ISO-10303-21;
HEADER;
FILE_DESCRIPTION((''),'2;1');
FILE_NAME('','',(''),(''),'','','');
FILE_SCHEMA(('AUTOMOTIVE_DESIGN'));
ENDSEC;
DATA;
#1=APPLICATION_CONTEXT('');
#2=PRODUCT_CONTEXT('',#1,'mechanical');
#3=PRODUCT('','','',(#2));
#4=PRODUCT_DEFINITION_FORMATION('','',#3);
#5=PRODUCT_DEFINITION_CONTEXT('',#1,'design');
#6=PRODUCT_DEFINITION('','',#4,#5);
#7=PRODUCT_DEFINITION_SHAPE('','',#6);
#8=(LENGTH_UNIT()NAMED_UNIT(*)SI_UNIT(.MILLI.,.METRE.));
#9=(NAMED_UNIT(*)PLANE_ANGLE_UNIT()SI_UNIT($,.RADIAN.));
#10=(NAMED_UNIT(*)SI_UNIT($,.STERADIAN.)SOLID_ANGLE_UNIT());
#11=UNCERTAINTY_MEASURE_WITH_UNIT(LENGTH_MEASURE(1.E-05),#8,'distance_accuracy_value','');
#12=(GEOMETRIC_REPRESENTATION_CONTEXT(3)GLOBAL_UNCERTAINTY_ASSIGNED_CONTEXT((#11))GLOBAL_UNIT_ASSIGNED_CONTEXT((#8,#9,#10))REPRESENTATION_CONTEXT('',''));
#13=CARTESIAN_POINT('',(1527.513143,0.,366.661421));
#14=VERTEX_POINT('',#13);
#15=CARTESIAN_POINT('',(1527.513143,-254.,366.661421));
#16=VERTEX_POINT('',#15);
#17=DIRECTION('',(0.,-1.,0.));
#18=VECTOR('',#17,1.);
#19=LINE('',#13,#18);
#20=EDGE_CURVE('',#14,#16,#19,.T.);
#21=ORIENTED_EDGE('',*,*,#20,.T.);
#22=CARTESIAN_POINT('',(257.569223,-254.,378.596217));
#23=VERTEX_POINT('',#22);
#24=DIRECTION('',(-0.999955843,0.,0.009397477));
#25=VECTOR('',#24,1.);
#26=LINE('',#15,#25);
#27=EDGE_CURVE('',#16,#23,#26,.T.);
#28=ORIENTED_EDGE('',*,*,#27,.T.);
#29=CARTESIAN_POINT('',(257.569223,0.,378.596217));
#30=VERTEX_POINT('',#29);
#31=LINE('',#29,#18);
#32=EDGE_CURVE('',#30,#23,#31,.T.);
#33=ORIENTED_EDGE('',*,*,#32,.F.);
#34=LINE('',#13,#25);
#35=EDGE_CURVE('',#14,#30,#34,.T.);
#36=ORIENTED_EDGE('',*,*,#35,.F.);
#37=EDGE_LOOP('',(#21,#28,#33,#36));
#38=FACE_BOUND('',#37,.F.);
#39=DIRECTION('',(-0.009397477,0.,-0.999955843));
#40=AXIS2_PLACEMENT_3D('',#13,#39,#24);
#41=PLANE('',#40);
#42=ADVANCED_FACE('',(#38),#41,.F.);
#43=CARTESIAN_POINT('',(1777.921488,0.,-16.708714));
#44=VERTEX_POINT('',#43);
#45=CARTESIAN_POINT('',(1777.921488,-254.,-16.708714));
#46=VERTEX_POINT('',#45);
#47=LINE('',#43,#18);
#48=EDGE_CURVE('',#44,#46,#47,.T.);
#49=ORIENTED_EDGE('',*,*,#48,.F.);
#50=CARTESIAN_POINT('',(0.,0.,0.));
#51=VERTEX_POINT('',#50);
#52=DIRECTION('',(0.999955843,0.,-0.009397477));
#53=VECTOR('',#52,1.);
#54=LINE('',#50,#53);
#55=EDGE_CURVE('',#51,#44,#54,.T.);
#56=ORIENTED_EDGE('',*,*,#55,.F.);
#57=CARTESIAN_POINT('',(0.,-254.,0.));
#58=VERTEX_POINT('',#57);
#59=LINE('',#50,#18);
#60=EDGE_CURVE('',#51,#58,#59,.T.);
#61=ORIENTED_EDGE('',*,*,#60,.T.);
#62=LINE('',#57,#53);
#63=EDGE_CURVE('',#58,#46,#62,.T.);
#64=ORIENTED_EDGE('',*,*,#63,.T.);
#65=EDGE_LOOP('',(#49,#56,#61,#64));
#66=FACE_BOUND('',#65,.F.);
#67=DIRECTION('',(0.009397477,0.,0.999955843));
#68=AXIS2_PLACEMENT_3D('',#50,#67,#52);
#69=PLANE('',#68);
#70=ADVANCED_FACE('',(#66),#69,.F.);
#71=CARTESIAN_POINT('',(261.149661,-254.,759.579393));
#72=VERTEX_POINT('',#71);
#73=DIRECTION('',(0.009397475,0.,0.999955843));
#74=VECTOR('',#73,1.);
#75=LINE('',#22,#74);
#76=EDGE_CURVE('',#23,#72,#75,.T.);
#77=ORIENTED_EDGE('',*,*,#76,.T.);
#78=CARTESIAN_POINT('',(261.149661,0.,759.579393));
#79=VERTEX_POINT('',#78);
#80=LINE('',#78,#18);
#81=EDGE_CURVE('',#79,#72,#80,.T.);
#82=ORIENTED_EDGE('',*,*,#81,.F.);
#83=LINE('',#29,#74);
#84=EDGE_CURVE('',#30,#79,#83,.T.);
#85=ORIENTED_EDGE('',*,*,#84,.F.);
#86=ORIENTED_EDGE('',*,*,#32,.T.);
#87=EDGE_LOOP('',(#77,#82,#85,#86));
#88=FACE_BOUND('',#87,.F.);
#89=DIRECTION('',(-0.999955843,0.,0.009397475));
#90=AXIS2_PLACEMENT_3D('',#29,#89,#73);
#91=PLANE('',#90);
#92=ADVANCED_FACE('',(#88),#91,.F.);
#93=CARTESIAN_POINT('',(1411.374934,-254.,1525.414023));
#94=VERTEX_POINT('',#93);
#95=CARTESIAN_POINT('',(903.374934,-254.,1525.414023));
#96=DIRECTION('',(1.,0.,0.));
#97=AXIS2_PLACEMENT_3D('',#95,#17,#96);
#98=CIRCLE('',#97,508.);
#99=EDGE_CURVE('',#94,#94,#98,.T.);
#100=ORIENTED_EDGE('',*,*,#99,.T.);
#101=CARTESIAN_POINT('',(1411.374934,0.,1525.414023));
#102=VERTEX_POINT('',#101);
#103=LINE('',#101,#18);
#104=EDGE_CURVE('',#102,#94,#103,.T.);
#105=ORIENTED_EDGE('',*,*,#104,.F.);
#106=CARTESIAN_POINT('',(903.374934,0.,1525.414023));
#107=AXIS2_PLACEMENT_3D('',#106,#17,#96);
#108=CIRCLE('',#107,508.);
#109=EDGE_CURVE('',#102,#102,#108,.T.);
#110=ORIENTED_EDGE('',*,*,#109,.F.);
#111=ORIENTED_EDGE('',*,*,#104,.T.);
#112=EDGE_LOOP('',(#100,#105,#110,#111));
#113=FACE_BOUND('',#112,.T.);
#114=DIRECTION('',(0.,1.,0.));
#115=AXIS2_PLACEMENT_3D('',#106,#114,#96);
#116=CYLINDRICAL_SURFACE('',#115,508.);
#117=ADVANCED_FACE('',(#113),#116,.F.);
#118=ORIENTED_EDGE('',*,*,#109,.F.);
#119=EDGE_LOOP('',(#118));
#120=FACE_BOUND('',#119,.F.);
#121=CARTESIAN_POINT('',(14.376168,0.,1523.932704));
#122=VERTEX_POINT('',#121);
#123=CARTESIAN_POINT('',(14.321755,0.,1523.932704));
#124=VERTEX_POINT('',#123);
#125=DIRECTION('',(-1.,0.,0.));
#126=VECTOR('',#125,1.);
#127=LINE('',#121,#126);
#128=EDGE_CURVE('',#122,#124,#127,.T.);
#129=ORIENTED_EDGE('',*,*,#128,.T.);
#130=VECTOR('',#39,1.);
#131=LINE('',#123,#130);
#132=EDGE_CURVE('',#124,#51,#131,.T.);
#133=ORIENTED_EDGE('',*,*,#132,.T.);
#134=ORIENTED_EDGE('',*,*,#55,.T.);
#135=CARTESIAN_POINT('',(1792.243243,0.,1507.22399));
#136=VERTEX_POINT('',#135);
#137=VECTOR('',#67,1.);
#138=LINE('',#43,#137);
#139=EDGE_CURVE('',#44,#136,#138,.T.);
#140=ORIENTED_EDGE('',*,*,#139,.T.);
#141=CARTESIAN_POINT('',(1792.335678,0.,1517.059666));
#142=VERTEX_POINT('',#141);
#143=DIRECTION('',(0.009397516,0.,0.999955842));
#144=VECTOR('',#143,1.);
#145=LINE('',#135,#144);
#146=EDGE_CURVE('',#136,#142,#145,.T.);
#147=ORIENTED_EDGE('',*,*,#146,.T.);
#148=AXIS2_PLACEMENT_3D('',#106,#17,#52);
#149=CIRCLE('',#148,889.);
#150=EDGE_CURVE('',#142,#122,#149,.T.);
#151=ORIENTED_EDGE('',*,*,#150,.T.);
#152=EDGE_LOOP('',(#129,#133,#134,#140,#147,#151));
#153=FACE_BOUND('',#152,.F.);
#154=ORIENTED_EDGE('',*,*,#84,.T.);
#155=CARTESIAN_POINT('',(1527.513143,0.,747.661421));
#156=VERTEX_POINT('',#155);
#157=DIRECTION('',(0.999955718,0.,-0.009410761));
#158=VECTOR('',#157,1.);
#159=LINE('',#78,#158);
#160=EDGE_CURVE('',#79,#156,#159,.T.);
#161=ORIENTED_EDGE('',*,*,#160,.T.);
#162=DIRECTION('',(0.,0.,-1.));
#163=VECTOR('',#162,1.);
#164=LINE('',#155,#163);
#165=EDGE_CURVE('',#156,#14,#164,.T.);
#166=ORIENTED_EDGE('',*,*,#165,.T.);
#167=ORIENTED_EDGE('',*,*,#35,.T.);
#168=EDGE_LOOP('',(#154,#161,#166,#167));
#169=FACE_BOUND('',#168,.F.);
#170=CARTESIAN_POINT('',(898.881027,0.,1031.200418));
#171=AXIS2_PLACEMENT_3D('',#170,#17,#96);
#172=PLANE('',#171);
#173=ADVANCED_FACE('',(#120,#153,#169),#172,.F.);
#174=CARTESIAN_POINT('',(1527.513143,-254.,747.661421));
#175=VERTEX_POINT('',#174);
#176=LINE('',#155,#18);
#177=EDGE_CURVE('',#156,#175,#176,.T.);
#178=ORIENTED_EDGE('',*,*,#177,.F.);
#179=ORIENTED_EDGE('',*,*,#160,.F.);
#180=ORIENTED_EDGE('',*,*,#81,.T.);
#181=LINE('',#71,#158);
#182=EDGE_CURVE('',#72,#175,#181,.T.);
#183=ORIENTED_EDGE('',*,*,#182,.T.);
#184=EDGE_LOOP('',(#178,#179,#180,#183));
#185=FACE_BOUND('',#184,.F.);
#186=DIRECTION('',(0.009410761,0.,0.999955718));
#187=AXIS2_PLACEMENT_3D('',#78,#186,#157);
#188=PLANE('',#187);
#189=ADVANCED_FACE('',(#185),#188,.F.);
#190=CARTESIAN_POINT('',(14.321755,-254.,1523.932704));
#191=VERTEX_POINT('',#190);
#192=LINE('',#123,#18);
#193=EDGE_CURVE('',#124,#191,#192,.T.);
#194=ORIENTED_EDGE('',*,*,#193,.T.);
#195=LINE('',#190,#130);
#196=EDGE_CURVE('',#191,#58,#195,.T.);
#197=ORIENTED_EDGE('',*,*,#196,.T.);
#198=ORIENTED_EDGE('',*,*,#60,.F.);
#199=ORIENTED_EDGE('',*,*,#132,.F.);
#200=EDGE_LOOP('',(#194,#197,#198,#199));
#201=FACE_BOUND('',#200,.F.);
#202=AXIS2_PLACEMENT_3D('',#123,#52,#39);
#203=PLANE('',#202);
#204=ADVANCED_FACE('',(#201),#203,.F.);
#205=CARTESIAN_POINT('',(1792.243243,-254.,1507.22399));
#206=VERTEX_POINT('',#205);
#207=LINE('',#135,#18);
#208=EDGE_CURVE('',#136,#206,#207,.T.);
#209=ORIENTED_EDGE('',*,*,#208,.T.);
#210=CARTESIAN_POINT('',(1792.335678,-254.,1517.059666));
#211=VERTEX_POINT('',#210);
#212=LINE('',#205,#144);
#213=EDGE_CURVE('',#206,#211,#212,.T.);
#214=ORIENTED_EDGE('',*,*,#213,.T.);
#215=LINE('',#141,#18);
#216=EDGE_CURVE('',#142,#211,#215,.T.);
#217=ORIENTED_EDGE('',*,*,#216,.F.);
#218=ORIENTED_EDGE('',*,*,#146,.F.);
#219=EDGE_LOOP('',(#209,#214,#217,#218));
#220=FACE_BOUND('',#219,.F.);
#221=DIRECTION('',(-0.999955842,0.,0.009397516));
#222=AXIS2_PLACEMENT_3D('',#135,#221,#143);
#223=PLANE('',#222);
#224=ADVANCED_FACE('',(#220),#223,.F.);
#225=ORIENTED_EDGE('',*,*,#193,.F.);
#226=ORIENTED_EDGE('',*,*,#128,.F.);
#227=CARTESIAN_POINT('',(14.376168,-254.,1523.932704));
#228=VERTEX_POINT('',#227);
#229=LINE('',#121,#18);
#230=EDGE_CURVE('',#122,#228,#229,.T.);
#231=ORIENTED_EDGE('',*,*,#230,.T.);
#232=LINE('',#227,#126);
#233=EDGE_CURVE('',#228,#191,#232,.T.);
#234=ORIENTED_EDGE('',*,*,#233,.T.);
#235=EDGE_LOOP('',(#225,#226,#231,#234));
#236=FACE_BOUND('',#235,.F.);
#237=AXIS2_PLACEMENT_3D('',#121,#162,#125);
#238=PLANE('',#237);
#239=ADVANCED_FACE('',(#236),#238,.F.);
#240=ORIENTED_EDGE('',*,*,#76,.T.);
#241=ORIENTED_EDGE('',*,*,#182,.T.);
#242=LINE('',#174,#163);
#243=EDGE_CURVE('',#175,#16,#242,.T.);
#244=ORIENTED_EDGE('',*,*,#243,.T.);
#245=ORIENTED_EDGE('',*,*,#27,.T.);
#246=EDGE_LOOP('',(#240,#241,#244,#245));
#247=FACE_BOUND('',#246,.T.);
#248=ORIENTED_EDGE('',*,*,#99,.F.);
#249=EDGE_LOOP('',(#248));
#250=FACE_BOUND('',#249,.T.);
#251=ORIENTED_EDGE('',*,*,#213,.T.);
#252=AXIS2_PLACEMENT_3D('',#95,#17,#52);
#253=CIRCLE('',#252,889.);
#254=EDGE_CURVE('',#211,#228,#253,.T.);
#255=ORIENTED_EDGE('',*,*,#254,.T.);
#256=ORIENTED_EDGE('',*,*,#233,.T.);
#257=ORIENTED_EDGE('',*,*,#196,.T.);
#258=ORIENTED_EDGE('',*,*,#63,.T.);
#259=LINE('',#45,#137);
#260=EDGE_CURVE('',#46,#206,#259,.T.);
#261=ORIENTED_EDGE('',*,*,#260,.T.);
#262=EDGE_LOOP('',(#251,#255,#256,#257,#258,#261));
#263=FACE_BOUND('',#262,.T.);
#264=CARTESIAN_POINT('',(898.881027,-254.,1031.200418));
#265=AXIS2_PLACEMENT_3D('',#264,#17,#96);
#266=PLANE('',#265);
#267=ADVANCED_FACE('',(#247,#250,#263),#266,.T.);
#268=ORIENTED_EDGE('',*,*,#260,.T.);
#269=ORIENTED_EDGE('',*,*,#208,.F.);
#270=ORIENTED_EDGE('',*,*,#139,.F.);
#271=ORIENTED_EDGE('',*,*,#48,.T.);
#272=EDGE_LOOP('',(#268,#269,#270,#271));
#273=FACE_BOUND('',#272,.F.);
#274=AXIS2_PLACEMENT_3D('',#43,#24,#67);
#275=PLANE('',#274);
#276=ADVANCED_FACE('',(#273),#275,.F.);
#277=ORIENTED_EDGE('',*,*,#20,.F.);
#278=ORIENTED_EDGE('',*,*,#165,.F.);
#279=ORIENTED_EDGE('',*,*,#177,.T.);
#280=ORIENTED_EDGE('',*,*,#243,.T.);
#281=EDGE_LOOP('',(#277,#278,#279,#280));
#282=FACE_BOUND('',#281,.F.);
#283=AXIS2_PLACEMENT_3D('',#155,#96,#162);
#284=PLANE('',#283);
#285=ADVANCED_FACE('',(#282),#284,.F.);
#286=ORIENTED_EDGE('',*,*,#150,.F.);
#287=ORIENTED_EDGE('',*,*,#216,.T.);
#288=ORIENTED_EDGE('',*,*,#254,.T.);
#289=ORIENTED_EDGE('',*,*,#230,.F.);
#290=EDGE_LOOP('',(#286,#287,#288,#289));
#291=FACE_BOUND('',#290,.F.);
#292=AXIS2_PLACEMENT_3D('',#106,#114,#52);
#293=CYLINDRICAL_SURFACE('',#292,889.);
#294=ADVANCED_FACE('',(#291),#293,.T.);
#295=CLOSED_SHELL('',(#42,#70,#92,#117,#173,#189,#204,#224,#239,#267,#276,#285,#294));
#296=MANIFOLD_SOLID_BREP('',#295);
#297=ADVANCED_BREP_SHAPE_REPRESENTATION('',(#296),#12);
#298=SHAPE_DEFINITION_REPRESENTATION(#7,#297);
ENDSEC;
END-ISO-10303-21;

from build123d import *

# Parameters (mm, degrees)
F0_R     = 508
F1_DEPTH = 254


with BuildPart() as f1:
    # F0 (on Front) → F1 (new body)
    with BuildSketch(Plane.XZ):
        with BuildLine():
            Line((14.321755, 1523.932704), (0, 0))
            Line((0, 0), (1777.921488, -16.708714))
            Line((1777.921488, -16.708714), (1792.243243, 1507.22399))
            Line((1792.243243, 1507.22399), (1792.335678, 1517.059666))
            ThreePointArc((1792.335678, 1517.059666), (906.811505, 2414.407381), (14.376168, 1523.932704))
            Line((14.376168, 1523.932704), (14.321755, 1523.932704))
        make_face()
        Polygon((257.569223, 378.596217), (261.149661, 759.579393), (1527.513143, 747.661421), (1527.513143, 366.661421), align=None, mode=Mode.SUBTRACT)
        with Locations((903.374934, 1525.414023)):
            Circle(F0_R, mode=Mode.SUBTRACT)
    extrude(amount=F1_DEPTH)


solid = f1.part
